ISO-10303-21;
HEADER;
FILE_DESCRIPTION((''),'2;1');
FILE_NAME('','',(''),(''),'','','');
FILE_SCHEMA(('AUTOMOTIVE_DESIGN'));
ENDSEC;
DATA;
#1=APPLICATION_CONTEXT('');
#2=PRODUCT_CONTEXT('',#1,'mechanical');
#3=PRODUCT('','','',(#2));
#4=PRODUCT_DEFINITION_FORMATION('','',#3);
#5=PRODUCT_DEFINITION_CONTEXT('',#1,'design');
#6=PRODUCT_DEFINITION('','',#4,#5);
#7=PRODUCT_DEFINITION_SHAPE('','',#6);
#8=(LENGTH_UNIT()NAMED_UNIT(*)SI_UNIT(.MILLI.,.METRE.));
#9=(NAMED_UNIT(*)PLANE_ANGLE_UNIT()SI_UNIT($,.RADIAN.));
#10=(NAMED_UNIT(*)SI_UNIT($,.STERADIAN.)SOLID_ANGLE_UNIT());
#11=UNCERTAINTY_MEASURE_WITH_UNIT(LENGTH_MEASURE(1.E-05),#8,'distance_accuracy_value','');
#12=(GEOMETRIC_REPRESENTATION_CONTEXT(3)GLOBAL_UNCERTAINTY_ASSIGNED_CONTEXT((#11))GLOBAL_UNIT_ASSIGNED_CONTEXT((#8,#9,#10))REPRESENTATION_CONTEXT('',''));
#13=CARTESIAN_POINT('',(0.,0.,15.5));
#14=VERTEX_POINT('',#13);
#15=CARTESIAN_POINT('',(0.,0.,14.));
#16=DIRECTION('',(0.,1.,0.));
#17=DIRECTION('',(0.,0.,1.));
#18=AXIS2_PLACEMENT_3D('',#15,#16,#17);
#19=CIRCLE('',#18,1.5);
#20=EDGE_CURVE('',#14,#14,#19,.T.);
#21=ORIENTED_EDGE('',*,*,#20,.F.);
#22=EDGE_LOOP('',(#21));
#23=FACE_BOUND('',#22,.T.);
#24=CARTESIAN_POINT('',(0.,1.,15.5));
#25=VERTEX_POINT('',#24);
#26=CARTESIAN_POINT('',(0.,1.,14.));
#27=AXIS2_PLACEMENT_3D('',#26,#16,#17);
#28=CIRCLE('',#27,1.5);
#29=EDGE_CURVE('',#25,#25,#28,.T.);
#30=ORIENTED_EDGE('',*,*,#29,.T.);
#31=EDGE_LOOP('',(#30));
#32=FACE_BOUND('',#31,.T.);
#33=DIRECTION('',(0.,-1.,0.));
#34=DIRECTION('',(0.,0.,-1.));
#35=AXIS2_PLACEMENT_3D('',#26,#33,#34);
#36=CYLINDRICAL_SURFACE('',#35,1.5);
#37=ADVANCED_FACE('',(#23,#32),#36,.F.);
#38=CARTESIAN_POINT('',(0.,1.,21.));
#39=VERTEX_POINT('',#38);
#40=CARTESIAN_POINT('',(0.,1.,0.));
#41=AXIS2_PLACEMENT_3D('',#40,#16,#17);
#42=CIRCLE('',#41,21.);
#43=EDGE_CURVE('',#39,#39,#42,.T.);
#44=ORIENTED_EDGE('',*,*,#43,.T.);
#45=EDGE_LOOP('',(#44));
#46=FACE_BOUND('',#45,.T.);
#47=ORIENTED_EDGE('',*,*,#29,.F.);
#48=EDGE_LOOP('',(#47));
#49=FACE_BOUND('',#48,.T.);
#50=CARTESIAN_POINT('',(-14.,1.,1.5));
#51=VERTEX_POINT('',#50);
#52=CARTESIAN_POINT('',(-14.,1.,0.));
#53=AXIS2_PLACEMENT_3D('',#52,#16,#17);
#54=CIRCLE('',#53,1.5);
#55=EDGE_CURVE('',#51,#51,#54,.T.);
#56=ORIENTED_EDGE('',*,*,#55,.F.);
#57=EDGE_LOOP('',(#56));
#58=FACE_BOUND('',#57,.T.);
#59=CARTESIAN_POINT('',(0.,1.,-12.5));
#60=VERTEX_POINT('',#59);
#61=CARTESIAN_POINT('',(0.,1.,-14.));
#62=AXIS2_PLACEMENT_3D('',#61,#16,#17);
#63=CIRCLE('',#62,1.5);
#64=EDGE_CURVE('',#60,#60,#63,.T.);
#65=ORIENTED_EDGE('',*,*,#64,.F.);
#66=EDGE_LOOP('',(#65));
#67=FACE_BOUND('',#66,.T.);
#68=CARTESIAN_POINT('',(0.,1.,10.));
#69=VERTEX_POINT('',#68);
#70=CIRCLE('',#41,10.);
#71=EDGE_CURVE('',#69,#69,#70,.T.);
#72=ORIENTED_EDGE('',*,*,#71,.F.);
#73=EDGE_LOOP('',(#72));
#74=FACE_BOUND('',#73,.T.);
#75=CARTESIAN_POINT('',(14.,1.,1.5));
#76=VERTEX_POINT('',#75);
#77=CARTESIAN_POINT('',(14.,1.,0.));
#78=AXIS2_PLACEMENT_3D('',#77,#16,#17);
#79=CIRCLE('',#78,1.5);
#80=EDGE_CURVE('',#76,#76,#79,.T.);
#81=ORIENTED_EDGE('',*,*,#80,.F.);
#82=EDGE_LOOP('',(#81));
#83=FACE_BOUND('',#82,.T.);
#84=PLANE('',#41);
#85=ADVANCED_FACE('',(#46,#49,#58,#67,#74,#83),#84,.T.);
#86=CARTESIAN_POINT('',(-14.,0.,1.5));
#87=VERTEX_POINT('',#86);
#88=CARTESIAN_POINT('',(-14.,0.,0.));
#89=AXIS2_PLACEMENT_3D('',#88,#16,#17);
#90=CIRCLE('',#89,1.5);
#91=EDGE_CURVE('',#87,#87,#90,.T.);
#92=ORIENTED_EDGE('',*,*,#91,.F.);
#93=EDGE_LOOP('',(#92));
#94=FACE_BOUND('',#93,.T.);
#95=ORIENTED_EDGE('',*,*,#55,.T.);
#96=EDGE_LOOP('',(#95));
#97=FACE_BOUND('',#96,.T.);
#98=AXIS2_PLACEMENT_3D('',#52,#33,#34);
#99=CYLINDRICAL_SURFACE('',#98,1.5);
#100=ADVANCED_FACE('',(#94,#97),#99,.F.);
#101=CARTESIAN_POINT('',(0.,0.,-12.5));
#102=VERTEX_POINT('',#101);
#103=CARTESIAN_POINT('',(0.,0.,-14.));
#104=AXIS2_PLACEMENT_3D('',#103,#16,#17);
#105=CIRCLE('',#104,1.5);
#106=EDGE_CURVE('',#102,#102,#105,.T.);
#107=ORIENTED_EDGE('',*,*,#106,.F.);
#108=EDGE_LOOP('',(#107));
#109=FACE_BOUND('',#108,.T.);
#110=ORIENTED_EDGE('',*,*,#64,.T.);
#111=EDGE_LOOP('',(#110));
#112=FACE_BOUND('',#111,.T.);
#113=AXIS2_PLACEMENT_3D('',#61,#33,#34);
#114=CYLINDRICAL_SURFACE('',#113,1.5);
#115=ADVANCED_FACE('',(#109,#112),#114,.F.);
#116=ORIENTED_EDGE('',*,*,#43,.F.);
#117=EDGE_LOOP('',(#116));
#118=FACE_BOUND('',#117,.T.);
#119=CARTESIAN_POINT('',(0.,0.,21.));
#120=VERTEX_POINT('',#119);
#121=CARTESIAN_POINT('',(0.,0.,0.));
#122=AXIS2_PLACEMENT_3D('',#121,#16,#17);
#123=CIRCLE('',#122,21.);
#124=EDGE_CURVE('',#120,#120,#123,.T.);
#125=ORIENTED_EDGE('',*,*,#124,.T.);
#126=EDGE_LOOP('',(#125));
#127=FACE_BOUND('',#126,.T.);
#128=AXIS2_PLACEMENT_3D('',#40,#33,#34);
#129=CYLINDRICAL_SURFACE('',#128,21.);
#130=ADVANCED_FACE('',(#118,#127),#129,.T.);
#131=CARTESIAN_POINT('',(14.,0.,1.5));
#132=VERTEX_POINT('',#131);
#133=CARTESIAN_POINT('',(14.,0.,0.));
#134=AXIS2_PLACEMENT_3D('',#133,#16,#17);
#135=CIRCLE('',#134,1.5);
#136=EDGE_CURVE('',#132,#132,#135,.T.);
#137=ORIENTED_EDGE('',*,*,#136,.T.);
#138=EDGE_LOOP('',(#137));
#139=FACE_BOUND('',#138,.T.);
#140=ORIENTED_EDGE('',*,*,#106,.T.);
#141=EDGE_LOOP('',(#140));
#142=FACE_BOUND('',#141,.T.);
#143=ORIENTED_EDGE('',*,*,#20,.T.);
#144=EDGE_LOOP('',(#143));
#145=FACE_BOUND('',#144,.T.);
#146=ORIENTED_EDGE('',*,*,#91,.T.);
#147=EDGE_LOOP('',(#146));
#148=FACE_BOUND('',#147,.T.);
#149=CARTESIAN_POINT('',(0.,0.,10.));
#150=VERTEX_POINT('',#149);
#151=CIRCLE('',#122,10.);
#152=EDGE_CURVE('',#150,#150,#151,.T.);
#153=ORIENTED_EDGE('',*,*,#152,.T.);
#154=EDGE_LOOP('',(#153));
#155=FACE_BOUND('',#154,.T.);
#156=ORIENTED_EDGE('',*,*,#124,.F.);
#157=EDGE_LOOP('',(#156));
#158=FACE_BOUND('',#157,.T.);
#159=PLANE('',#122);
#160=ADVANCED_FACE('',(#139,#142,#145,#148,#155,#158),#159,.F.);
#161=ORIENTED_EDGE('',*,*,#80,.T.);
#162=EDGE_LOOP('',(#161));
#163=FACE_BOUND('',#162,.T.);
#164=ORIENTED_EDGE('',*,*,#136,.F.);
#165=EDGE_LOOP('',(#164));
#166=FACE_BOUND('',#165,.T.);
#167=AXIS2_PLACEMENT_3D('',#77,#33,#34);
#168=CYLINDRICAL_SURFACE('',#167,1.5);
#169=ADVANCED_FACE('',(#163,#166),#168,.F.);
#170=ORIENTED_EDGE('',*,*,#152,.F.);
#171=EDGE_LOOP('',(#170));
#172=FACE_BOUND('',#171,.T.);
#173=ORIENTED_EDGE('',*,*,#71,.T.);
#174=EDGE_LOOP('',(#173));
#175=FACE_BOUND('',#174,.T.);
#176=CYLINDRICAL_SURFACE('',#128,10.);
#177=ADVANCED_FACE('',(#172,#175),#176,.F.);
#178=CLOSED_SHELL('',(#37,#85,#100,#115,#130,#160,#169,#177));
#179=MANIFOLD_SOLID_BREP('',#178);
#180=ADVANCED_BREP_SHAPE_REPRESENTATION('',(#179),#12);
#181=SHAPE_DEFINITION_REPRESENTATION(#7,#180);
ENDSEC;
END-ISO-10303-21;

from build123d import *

# Parameters (mm, degrees)
SKETCH_1_R      = 21
SKETCH_1_R_2    = 1.5
SKETCH_1_R_3    = 10
EXTRUDE_2_DEPTH = 1


with BuildPart() as part:
    # 草图1 → 凸台-拉伸2 (new body)
    with BuildSketch(Plane(origin=(0, 0, 0), x_dir=(1, 0, 0), z_dir=(0, 1, 0))):
        with Locations(Location((0, 0, 0), (0, 0, 270))):
            Circle(SKETCH_1_R)
        with Locations(Location((0, 14, 0), (0, 0, 270))):
            Circle(SKETCH_1_R_2, mode=Mode.SUBTRACT)
        with Locations(Location((-14, 0, 0), (0, 0, 270))):
            Circle(SKETCH_1_R_2, mode=Mode.SUBTRACT)
        with Locations(Location((0, -14, 0), (0, 0, 270))):
            Circle(SKETCH_1_R_2, mode=Mode.SUBTRACT)
        with Locations(Location((14, 0, 0), (0, 0, 270))):
            Circle(SKETCH_1_R_2, mode=Mode.SUBTRACT)
        with Locations(Location((0, 0, 0), (0, 0, 270))):
            Circle(SKETCH_1_R_3, mode=Mode.SUBTRACT)
    extrude(amount=EXTRUDE_2_DEPTH)


solid = part.part
